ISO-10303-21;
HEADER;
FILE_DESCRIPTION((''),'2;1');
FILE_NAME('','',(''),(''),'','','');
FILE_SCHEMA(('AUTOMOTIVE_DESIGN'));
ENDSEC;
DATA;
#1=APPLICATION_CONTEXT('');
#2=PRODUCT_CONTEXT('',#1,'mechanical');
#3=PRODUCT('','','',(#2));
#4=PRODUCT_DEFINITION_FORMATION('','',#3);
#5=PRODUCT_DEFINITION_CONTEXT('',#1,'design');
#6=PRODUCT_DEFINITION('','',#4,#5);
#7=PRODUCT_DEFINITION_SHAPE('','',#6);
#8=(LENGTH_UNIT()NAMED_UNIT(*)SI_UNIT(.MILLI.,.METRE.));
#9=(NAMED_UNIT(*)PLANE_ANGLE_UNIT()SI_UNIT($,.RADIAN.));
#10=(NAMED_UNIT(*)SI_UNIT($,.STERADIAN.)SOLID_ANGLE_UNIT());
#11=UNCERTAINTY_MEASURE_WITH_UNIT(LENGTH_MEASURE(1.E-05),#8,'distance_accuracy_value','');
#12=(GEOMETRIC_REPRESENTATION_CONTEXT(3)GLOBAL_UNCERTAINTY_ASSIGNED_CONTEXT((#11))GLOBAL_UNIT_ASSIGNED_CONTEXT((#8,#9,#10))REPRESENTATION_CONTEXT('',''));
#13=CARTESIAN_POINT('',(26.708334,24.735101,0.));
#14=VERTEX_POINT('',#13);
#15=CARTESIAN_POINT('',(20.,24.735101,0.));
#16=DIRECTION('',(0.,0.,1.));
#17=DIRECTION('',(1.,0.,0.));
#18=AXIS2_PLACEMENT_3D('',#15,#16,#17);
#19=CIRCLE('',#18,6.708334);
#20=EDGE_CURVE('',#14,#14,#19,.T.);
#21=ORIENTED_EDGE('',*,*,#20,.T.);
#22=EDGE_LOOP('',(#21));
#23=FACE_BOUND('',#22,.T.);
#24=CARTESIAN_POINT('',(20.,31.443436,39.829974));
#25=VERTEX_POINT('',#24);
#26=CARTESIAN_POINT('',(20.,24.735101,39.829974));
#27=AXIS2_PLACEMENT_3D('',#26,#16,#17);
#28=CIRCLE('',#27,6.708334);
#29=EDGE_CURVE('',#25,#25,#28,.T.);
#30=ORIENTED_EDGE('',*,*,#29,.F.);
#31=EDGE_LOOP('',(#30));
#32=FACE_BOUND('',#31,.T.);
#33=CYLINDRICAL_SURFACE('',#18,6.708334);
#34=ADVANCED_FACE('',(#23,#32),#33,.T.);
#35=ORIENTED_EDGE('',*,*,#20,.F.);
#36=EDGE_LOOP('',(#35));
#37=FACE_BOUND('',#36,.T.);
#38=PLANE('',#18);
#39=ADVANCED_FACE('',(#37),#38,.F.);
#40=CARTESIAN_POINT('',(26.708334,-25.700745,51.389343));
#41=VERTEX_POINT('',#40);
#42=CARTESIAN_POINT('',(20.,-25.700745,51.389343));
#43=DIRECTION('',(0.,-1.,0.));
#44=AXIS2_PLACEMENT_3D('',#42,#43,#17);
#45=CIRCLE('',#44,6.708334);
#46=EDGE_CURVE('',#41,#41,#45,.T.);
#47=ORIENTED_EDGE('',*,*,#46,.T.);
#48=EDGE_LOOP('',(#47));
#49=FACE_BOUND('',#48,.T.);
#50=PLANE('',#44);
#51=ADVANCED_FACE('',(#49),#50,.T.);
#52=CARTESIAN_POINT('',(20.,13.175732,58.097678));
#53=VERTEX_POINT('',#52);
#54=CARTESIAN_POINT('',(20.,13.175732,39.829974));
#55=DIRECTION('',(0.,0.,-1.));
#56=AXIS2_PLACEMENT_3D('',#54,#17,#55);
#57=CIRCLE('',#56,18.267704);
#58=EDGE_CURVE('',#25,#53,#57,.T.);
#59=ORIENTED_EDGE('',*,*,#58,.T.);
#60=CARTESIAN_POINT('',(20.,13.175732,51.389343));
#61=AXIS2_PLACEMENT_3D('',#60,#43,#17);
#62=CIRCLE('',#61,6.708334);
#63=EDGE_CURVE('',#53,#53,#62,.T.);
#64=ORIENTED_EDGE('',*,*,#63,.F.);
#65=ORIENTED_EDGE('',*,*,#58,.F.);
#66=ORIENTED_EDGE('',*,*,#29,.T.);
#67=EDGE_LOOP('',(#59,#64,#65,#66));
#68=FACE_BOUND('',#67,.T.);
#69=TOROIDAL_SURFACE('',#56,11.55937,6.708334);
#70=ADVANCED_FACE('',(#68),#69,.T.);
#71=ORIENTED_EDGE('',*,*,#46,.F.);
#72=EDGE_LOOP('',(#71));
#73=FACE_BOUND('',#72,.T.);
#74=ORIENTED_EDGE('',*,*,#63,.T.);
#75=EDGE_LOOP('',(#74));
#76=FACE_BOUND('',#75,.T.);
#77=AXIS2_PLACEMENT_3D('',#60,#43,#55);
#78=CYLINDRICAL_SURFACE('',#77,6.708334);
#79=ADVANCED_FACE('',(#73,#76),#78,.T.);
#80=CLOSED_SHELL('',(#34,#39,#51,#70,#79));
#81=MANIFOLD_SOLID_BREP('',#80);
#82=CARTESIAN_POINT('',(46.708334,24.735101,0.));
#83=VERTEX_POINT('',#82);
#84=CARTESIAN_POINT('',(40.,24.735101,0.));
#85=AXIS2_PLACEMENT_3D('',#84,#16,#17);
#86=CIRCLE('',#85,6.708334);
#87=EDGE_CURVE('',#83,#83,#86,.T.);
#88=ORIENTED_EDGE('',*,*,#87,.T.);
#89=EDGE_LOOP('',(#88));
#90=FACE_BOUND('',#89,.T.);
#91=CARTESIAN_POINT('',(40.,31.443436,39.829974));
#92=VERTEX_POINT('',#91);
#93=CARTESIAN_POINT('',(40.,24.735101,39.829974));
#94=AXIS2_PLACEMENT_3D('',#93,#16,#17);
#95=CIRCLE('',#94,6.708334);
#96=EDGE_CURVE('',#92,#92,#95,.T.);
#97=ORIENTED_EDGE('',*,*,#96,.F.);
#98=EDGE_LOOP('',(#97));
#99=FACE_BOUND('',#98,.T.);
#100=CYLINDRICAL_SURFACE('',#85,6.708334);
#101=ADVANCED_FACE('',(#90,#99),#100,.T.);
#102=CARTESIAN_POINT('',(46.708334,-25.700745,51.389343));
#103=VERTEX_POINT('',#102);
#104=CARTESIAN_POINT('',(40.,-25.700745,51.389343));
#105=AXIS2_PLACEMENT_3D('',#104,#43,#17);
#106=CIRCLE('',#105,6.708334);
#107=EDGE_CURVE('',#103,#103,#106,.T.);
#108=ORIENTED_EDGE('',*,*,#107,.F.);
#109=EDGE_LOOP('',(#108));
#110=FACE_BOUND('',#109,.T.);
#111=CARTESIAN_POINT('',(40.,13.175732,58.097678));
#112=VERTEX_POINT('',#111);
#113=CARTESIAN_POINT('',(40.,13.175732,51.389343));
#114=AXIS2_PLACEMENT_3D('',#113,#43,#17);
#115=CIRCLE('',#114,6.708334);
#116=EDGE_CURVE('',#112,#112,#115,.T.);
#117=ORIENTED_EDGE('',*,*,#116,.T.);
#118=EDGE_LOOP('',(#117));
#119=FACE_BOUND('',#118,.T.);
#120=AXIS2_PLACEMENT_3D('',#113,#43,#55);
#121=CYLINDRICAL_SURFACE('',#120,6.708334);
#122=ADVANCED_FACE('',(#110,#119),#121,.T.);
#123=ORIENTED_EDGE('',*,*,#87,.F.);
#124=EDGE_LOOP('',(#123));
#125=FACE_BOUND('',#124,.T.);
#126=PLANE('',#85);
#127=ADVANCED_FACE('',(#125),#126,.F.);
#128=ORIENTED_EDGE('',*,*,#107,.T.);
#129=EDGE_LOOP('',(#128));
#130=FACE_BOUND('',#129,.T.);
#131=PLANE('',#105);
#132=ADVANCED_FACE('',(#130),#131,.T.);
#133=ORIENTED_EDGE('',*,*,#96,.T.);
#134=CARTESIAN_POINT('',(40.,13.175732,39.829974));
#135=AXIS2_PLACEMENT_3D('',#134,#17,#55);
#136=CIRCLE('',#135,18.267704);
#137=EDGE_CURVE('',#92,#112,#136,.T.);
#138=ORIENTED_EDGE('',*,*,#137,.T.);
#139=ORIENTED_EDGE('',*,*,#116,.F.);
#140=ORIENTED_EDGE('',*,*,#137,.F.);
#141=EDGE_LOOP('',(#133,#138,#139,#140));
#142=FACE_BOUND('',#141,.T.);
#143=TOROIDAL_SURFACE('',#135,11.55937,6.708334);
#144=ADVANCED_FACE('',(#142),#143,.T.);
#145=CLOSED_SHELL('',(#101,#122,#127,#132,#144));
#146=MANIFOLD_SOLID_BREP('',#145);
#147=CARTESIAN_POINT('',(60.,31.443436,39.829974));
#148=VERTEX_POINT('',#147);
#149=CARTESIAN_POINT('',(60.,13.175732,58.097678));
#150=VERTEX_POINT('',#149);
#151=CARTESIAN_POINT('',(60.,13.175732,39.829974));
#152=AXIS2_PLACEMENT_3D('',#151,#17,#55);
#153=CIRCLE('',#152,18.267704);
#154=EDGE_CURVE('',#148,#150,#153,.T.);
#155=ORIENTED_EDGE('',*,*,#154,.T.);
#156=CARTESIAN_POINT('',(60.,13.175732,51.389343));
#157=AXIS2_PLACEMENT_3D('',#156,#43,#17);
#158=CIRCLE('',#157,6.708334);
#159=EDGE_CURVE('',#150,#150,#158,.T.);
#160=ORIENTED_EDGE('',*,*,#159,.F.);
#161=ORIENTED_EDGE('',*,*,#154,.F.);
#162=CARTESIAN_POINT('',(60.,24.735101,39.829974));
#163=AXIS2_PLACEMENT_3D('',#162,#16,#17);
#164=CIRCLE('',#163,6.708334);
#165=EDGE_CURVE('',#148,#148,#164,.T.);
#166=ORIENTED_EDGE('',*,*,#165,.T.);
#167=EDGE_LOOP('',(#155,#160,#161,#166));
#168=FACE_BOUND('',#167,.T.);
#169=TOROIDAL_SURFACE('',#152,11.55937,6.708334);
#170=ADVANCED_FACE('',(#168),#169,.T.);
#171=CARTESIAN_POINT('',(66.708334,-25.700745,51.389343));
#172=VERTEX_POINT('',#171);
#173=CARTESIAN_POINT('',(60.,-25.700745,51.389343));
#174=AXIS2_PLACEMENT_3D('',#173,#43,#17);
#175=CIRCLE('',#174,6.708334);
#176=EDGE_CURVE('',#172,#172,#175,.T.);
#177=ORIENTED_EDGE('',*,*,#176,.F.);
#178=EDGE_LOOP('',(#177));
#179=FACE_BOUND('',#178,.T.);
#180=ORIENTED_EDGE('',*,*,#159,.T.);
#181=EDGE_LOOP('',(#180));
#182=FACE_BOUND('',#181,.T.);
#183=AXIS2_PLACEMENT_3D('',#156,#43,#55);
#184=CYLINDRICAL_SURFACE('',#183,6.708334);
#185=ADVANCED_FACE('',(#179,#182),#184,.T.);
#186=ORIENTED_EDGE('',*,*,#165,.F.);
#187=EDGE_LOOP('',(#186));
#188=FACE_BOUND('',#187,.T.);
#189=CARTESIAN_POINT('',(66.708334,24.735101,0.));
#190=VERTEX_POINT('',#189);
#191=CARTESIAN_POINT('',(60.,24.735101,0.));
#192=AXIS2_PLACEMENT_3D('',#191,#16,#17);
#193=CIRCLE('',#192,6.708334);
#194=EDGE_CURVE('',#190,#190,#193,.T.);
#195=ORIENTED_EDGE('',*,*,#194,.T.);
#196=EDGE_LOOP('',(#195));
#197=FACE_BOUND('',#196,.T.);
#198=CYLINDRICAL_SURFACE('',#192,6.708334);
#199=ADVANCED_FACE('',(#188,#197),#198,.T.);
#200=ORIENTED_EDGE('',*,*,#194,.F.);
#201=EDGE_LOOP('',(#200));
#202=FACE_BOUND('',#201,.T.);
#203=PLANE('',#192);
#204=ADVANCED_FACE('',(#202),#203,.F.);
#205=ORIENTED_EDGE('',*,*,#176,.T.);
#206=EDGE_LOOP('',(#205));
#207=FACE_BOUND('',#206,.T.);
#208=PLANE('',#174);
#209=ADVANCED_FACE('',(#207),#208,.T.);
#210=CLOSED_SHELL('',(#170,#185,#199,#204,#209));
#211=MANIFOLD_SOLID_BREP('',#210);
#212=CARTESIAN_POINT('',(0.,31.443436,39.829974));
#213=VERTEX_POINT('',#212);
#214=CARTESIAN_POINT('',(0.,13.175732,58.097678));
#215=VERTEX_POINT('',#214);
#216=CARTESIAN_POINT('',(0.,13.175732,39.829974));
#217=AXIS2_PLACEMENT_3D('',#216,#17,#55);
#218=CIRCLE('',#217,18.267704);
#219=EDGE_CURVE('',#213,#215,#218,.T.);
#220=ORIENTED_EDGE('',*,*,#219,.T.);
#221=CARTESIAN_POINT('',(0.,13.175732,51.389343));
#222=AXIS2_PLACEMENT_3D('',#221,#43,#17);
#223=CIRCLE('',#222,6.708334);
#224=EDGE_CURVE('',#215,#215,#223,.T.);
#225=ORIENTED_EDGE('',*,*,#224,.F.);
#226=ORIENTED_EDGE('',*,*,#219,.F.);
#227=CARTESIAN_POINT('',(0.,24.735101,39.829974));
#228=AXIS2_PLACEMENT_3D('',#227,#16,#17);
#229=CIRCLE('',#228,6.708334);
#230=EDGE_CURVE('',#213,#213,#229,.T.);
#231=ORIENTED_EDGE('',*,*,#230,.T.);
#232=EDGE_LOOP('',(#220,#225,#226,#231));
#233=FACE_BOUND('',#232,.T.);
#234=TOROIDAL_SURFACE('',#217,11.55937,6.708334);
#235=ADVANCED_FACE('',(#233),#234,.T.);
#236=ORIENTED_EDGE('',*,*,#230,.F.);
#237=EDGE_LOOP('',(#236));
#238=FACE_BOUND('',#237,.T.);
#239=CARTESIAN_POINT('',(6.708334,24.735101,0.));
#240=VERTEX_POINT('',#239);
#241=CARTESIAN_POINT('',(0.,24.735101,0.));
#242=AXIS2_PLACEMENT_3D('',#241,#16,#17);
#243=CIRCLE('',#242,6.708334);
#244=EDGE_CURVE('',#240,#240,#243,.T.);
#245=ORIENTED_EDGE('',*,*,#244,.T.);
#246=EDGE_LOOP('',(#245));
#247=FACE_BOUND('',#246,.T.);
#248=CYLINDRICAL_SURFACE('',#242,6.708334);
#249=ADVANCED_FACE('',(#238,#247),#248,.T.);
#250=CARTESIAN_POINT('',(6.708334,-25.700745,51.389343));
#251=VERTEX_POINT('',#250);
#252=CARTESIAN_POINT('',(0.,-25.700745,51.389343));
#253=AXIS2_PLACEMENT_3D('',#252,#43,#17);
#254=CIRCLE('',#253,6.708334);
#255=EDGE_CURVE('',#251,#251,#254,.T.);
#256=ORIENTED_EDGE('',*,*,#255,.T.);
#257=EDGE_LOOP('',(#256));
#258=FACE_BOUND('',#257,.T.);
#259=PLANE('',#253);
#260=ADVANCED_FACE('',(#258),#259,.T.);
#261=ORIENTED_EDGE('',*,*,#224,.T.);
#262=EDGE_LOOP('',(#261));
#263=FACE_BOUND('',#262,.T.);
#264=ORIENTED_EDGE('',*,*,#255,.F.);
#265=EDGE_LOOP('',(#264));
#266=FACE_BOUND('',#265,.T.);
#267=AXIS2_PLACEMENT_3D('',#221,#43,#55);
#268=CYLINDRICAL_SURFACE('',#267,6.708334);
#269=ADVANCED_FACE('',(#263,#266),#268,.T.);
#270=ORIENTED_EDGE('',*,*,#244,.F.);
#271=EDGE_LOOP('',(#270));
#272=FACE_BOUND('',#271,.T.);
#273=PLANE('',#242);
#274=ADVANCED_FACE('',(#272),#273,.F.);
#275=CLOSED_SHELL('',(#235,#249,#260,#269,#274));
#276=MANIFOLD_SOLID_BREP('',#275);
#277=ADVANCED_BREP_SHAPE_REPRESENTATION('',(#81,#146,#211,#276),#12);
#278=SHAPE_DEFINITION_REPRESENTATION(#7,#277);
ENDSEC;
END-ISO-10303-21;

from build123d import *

# Parameters (mm, degrees)
SKETCH1_R = 6.708334263


with BuildPart() as part:
    # Sweep1: sweep along a path in Sketch2
    with BuildLine(Plane(origin=(0, 0, 0), x_dir=(0, 0, -1), z_dir=(1, 0, 0))) as sweep1_path:
        Line((0, 24.735101447), (-39.829973559, 24.735101447))
        ThreePointArc((-39.829973559, 24.735101447), (-48.003682266, 21.349440446), (-51.389343267, 13.175731739))
        Line((-51.389343267, 13.175731739), (-51.389343267, -25.700745291))
    # Sketch1 → Sweep1 (sweep)
    with BuildSketch(Plane.XY):
        with Locations((0, 24.735101447)):
            Circle(SKETCH1_R)
        with Locations((20, 24.735101447)):
            Circle(SKETCH1_R)
        with Locations((40, 24.735101447)):
            Circle(SKETCH1_R)
        with Locations((60, 24.735101447)):
            Circle(SKETCH1_R)
    sweep(path=sweep1_path.line)


solid = part.part
